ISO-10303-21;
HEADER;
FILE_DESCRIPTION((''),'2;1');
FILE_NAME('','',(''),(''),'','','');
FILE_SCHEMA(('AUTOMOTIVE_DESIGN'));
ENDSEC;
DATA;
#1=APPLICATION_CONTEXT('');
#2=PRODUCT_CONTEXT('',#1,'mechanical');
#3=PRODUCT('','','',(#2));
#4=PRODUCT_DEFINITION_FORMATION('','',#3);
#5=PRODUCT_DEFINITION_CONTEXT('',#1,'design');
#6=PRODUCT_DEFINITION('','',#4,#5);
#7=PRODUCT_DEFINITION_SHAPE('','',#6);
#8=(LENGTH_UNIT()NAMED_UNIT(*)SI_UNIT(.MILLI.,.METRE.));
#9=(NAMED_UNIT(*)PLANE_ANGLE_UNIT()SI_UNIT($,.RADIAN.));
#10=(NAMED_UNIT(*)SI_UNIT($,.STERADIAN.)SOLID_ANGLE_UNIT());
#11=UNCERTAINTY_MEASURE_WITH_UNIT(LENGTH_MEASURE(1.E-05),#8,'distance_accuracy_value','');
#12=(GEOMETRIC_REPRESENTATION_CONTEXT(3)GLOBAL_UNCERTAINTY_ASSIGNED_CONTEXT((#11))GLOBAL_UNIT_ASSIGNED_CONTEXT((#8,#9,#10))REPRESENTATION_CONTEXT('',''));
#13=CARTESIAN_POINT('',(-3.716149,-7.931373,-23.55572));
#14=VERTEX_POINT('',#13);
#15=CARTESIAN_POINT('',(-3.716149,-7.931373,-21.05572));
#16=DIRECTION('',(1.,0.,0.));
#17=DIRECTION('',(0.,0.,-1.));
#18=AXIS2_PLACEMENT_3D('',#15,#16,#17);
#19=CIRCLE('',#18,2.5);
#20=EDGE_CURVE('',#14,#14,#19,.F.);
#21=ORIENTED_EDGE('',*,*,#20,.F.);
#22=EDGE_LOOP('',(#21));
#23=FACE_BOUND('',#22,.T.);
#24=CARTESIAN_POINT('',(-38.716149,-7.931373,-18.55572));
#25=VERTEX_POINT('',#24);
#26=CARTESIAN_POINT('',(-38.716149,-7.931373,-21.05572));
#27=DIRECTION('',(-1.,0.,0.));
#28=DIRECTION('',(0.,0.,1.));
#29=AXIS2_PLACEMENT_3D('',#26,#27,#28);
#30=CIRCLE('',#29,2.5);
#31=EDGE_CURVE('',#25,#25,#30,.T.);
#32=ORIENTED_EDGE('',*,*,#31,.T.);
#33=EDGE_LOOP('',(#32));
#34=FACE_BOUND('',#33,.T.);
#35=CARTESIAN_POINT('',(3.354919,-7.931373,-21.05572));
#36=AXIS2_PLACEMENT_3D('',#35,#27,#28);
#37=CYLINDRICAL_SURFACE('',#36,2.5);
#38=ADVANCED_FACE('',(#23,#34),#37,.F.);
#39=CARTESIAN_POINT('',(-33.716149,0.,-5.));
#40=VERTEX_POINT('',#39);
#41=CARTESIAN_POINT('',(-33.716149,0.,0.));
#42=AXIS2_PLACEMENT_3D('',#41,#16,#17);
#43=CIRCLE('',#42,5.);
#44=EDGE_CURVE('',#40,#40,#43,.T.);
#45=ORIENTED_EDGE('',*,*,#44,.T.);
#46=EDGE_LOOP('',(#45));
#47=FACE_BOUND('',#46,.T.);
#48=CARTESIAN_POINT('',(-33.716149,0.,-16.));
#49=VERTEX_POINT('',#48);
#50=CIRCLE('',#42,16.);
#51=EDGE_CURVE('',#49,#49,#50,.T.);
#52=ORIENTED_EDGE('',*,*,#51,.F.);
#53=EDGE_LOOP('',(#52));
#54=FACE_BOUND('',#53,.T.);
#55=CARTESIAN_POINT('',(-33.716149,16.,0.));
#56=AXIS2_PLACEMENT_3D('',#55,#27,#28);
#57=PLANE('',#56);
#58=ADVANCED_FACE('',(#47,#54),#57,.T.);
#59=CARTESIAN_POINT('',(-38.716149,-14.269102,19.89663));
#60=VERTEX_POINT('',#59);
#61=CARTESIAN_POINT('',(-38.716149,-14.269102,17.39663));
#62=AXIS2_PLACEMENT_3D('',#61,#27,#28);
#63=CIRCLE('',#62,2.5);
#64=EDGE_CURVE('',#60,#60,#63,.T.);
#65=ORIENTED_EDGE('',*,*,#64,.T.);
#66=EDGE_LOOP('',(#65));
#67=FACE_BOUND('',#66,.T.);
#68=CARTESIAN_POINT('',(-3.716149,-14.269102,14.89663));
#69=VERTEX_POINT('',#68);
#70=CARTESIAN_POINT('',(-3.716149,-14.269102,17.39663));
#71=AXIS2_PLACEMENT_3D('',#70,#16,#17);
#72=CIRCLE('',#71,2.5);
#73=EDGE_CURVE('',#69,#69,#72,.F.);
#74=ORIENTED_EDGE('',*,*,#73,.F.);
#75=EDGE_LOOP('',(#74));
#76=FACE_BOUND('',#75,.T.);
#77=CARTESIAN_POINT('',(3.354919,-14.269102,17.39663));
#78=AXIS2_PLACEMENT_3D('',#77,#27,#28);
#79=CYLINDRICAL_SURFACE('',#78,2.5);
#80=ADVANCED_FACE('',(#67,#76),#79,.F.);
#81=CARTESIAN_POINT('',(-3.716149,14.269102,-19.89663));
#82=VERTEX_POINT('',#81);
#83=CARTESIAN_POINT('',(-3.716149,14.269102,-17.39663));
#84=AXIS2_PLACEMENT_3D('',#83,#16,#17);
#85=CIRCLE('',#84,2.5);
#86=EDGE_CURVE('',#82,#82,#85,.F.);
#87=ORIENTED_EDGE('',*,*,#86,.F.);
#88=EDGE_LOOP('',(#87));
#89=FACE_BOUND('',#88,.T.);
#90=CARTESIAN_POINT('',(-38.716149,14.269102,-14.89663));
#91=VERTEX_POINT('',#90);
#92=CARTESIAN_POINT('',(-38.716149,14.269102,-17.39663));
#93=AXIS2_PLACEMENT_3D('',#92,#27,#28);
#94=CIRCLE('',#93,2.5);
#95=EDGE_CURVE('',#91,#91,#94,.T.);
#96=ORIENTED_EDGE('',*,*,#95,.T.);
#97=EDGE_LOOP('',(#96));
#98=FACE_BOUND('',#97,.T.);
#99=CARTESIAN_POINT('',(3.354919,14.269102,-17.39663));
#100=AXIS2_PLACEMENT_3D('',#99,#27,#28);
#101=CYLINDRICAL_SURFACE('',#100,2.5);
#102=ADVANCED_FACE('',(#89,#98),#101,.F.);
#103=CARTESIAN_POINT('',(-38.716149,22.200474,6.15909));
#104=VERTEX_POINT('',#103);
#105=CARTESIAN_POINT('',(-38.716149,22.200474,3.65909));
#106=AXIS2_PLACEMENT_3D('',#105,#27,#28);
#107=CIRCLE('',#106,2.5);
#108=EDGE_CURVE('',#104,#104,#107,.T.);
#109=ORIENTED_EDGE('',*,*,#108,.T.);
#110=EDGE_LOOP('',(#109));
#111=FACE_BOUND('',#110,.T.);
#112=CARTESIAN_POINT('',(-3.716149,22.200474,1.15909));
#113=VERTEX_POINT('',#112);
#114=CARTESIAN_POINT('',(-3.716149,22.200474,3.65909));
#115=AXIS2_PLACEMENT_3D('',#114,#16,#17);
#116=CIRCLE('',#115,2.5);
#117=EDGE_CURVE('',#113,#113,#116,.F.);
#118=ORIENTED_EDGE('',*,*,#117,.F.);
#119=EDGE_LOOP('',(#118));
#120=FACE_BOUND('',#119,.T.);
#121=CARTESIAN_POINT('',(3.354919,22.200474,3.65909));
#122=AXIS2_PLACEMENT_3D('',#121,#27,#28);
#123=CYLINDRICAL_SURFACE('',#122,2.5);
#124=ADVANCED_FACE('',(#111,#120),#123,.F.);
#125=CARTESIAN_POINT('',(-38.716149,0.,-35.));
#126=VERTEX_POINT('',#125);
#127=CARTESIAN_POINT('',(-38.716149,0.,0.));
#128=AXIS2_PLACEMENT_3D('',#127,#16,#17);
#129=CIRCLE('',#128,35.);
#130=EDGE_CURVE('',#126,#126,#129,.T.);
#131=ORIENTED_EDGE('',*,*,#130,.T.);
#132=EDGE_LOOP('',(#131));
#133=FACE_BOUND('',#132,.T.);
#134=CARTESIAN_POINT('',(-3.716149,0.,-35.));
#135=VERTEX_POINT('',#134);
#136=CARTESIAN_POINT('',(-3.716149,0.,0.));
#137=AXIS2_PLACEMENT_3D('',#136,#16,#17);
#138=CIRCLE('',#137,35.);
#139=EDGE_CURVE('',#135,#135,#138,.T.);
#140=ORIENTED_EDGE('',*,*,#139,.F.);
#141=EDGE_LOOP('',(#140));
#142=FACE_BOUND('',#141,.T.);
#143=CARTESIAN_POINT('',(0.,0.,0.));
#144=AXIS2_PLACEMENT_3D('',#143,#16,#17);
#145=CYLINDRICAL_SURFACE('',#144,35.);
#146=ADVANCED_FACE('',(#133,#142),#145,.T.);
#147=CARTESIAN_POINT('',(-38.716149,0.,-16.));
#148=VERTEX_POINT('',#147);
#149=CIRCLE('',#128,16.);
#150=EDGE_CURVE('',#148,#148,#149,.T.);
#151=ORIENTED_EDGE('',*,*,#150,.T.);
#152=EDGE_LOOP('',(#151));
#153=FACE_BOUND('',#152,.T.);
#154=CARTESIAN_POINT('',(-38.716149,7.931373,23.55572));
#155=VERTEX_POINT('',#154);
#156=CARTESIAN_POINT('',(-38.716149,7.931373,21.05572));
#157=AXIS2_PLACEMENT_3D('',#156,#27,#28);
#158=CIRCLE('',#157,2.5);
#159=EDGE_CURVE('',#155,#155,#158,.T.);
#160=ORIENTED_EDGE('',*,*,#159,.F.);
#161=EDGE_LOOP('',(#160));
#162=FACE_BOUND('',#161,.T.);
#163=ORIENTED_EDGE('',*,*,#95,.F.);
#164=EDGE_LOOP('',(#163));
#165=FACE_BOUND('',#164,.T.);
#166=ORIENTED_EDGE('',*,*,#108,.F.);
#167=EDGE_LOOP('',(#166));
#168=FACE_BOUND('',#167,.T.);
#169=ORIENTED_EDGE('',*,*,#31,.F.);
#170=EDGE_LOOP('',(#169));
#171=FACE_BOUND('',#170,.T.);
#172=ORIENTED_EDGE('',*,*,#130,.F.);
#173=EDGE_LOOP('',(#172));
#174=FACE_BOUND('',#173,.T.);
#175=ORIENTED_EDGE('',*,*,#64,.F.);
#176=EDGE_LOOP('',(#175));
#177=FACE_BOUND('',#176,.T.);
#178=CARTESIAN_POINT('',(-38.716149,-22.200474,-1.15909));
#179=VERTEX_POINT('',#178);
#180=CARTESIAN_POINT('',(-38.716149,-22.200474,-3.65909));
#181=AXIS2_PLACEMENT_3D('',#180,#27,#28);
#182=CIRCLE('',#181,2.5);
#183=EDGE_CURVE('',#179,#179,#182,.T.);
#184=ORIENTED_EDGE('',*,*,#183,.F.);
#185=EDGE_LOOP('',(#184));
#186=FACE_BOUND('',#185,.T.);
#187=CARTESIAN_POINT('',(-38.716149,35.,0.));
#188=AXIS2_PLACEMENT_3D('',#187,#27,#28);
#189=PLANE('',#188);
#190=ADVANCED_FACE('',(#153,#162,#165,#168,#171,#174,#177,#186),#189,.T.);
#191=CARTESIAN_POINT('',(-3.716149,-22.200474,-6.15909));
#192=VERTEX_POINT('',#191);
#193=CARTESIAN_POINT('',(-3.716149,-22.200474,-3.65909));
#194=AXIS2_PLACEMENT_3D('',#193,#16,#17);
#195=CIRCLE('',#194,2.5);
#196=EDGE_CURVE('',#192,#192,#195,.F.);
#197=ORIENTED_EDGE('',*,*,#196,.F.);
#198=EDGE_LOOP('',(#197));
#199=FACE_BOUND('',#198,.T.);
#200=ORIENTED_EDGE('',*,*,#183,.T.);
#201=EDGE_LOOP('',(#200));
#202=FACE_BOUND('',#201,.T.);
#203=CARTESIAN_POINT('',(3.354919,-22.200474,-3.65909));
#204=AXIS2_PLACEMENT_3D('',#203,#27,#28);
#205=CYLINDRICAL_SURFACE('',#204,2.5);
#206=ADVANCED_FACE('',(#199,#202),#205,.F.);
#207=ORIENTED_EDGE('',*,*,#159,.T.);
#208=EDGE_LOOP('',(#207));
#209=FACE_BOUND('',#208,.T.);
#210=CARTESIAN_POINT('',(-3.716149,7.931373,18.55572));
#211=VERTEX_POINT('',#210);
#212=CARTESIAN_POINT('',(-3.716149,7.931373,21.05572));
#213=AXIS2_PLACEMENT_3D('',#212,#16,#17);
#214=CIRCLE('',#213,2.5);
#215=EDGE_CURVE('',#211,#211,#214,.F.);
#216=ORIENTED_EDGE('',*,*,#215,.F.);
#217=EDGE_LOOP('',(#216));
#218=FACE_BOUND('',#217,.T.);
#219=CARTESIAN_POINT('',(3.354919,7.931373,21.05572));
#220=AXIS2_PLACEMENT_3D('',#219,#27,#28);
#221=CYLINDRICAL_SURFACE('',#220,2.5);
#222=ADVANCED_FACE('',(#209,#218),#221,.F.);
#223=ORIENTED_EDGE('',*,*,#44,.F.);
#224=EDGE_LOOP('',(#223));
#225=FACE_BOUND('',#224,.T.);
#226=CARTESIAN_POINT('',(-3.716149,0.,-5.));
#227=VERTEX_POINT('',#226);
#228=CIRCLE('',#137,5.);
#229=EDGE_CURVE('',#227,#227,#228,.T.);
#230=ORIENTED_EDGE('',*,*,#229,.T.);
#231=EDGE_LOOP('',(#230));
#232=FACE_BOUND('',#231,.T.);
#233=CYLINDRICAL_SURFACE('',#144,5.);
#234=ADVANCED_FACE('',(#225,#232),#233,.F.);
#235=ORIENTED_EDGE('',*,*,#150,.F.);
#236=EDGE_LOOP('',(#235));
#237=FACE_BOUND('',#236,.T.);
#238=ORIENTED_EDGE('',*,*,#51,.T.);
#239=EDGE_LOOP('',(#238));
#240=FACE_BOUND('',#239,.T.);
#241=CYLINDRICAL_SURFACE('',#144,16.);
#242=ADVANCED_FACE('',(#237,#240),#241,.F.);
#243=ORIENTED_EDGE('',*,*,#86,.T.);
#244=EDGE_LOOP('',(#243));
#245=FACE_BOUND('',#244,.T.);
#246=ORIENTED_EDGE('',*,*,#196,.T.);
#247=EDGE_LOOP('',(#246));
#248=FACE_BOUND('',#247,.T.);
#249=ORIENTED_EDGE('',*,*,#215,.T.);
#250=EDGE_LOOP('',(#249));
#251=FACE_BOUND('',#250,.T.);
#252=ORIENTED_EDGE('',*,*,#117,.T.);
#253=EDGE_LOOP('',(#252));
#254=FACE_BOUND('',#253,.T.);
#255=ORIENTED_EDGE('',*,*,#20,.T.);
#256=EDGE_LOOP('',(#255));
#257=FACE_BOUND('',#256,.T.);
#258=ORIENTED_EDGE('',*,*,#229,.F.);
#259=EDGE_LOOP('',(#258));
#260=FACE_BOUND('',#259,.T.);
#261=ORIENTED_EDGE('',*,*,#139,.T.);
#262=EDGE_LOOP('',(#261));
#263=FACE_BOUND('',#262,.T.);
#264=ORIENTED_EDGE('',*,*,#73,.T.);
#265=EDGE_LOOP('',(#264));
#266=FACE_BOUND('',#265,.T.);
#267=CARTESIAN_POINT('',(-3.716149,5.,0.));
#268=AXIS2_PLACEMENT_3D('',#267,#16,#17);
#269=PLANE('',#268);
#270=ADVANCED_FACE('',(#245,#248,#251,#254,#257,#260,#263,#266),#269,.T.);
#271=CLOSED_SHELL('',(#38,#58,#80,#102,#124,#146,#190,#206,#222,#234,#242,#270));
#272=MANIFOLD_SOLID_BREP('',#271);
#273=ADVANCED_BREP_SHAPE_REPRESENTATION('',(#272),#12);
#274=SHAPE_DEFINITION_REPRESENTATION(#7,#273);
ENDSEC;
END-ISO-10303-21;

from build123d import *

# Parameters (mm, degrees)
SKETCH2_R          = 2.5
CUT_EXTRUDE1_DEPTH = 35


with BuildPart() as part:
    # Sketch1 → Revolve1 (revolve)
    with BuildSketch(Plane.XY, mode=Mode.PRIVATE) as revolve1_sk:
        Polygon((-38.716148773, 35), (-38.716148773, 16), (-33.716148773, 16), (-33.716148773, 5), (-3.716148773, 5), (-3.716148773, 35), align=None)
    revolve(revolve1_sk.sketch.rotate(Axis((0, 0, 0), (-1, 0, 0)), 90), axis=Axis((0, 0, 0), (-1, 0, 0)))

    # Sketch2 → Cut-Extrude1 (cut)
    with BuildSketch(Plane.ZY.offset(38.716148773)):
        with Locations((21.055719615, 7.931372612)):
            Circle(SKETCH2_R)
        with Locations((17.396629976, -14.269101775)):
            Circle(SKETCH2_R)
        with Locations((-3.659089638, -22.200474387)):
            Circle(SKETCH2_R)
        with Locations((-21.055719615, -7.931372612)):
            Circle(SKETCH2_R)
        with Locations((-17.396629976, 14.269101775)):
            Circle(SKETCH2_R)
        with Locations((3.659089638, 22.200474387)):
            Circle(SKETCH2_R)
    extrude(amount=-CUT_EXTRUDE1_DEPTH, mode=Mode.SUBTRACT)


solid = part.part
